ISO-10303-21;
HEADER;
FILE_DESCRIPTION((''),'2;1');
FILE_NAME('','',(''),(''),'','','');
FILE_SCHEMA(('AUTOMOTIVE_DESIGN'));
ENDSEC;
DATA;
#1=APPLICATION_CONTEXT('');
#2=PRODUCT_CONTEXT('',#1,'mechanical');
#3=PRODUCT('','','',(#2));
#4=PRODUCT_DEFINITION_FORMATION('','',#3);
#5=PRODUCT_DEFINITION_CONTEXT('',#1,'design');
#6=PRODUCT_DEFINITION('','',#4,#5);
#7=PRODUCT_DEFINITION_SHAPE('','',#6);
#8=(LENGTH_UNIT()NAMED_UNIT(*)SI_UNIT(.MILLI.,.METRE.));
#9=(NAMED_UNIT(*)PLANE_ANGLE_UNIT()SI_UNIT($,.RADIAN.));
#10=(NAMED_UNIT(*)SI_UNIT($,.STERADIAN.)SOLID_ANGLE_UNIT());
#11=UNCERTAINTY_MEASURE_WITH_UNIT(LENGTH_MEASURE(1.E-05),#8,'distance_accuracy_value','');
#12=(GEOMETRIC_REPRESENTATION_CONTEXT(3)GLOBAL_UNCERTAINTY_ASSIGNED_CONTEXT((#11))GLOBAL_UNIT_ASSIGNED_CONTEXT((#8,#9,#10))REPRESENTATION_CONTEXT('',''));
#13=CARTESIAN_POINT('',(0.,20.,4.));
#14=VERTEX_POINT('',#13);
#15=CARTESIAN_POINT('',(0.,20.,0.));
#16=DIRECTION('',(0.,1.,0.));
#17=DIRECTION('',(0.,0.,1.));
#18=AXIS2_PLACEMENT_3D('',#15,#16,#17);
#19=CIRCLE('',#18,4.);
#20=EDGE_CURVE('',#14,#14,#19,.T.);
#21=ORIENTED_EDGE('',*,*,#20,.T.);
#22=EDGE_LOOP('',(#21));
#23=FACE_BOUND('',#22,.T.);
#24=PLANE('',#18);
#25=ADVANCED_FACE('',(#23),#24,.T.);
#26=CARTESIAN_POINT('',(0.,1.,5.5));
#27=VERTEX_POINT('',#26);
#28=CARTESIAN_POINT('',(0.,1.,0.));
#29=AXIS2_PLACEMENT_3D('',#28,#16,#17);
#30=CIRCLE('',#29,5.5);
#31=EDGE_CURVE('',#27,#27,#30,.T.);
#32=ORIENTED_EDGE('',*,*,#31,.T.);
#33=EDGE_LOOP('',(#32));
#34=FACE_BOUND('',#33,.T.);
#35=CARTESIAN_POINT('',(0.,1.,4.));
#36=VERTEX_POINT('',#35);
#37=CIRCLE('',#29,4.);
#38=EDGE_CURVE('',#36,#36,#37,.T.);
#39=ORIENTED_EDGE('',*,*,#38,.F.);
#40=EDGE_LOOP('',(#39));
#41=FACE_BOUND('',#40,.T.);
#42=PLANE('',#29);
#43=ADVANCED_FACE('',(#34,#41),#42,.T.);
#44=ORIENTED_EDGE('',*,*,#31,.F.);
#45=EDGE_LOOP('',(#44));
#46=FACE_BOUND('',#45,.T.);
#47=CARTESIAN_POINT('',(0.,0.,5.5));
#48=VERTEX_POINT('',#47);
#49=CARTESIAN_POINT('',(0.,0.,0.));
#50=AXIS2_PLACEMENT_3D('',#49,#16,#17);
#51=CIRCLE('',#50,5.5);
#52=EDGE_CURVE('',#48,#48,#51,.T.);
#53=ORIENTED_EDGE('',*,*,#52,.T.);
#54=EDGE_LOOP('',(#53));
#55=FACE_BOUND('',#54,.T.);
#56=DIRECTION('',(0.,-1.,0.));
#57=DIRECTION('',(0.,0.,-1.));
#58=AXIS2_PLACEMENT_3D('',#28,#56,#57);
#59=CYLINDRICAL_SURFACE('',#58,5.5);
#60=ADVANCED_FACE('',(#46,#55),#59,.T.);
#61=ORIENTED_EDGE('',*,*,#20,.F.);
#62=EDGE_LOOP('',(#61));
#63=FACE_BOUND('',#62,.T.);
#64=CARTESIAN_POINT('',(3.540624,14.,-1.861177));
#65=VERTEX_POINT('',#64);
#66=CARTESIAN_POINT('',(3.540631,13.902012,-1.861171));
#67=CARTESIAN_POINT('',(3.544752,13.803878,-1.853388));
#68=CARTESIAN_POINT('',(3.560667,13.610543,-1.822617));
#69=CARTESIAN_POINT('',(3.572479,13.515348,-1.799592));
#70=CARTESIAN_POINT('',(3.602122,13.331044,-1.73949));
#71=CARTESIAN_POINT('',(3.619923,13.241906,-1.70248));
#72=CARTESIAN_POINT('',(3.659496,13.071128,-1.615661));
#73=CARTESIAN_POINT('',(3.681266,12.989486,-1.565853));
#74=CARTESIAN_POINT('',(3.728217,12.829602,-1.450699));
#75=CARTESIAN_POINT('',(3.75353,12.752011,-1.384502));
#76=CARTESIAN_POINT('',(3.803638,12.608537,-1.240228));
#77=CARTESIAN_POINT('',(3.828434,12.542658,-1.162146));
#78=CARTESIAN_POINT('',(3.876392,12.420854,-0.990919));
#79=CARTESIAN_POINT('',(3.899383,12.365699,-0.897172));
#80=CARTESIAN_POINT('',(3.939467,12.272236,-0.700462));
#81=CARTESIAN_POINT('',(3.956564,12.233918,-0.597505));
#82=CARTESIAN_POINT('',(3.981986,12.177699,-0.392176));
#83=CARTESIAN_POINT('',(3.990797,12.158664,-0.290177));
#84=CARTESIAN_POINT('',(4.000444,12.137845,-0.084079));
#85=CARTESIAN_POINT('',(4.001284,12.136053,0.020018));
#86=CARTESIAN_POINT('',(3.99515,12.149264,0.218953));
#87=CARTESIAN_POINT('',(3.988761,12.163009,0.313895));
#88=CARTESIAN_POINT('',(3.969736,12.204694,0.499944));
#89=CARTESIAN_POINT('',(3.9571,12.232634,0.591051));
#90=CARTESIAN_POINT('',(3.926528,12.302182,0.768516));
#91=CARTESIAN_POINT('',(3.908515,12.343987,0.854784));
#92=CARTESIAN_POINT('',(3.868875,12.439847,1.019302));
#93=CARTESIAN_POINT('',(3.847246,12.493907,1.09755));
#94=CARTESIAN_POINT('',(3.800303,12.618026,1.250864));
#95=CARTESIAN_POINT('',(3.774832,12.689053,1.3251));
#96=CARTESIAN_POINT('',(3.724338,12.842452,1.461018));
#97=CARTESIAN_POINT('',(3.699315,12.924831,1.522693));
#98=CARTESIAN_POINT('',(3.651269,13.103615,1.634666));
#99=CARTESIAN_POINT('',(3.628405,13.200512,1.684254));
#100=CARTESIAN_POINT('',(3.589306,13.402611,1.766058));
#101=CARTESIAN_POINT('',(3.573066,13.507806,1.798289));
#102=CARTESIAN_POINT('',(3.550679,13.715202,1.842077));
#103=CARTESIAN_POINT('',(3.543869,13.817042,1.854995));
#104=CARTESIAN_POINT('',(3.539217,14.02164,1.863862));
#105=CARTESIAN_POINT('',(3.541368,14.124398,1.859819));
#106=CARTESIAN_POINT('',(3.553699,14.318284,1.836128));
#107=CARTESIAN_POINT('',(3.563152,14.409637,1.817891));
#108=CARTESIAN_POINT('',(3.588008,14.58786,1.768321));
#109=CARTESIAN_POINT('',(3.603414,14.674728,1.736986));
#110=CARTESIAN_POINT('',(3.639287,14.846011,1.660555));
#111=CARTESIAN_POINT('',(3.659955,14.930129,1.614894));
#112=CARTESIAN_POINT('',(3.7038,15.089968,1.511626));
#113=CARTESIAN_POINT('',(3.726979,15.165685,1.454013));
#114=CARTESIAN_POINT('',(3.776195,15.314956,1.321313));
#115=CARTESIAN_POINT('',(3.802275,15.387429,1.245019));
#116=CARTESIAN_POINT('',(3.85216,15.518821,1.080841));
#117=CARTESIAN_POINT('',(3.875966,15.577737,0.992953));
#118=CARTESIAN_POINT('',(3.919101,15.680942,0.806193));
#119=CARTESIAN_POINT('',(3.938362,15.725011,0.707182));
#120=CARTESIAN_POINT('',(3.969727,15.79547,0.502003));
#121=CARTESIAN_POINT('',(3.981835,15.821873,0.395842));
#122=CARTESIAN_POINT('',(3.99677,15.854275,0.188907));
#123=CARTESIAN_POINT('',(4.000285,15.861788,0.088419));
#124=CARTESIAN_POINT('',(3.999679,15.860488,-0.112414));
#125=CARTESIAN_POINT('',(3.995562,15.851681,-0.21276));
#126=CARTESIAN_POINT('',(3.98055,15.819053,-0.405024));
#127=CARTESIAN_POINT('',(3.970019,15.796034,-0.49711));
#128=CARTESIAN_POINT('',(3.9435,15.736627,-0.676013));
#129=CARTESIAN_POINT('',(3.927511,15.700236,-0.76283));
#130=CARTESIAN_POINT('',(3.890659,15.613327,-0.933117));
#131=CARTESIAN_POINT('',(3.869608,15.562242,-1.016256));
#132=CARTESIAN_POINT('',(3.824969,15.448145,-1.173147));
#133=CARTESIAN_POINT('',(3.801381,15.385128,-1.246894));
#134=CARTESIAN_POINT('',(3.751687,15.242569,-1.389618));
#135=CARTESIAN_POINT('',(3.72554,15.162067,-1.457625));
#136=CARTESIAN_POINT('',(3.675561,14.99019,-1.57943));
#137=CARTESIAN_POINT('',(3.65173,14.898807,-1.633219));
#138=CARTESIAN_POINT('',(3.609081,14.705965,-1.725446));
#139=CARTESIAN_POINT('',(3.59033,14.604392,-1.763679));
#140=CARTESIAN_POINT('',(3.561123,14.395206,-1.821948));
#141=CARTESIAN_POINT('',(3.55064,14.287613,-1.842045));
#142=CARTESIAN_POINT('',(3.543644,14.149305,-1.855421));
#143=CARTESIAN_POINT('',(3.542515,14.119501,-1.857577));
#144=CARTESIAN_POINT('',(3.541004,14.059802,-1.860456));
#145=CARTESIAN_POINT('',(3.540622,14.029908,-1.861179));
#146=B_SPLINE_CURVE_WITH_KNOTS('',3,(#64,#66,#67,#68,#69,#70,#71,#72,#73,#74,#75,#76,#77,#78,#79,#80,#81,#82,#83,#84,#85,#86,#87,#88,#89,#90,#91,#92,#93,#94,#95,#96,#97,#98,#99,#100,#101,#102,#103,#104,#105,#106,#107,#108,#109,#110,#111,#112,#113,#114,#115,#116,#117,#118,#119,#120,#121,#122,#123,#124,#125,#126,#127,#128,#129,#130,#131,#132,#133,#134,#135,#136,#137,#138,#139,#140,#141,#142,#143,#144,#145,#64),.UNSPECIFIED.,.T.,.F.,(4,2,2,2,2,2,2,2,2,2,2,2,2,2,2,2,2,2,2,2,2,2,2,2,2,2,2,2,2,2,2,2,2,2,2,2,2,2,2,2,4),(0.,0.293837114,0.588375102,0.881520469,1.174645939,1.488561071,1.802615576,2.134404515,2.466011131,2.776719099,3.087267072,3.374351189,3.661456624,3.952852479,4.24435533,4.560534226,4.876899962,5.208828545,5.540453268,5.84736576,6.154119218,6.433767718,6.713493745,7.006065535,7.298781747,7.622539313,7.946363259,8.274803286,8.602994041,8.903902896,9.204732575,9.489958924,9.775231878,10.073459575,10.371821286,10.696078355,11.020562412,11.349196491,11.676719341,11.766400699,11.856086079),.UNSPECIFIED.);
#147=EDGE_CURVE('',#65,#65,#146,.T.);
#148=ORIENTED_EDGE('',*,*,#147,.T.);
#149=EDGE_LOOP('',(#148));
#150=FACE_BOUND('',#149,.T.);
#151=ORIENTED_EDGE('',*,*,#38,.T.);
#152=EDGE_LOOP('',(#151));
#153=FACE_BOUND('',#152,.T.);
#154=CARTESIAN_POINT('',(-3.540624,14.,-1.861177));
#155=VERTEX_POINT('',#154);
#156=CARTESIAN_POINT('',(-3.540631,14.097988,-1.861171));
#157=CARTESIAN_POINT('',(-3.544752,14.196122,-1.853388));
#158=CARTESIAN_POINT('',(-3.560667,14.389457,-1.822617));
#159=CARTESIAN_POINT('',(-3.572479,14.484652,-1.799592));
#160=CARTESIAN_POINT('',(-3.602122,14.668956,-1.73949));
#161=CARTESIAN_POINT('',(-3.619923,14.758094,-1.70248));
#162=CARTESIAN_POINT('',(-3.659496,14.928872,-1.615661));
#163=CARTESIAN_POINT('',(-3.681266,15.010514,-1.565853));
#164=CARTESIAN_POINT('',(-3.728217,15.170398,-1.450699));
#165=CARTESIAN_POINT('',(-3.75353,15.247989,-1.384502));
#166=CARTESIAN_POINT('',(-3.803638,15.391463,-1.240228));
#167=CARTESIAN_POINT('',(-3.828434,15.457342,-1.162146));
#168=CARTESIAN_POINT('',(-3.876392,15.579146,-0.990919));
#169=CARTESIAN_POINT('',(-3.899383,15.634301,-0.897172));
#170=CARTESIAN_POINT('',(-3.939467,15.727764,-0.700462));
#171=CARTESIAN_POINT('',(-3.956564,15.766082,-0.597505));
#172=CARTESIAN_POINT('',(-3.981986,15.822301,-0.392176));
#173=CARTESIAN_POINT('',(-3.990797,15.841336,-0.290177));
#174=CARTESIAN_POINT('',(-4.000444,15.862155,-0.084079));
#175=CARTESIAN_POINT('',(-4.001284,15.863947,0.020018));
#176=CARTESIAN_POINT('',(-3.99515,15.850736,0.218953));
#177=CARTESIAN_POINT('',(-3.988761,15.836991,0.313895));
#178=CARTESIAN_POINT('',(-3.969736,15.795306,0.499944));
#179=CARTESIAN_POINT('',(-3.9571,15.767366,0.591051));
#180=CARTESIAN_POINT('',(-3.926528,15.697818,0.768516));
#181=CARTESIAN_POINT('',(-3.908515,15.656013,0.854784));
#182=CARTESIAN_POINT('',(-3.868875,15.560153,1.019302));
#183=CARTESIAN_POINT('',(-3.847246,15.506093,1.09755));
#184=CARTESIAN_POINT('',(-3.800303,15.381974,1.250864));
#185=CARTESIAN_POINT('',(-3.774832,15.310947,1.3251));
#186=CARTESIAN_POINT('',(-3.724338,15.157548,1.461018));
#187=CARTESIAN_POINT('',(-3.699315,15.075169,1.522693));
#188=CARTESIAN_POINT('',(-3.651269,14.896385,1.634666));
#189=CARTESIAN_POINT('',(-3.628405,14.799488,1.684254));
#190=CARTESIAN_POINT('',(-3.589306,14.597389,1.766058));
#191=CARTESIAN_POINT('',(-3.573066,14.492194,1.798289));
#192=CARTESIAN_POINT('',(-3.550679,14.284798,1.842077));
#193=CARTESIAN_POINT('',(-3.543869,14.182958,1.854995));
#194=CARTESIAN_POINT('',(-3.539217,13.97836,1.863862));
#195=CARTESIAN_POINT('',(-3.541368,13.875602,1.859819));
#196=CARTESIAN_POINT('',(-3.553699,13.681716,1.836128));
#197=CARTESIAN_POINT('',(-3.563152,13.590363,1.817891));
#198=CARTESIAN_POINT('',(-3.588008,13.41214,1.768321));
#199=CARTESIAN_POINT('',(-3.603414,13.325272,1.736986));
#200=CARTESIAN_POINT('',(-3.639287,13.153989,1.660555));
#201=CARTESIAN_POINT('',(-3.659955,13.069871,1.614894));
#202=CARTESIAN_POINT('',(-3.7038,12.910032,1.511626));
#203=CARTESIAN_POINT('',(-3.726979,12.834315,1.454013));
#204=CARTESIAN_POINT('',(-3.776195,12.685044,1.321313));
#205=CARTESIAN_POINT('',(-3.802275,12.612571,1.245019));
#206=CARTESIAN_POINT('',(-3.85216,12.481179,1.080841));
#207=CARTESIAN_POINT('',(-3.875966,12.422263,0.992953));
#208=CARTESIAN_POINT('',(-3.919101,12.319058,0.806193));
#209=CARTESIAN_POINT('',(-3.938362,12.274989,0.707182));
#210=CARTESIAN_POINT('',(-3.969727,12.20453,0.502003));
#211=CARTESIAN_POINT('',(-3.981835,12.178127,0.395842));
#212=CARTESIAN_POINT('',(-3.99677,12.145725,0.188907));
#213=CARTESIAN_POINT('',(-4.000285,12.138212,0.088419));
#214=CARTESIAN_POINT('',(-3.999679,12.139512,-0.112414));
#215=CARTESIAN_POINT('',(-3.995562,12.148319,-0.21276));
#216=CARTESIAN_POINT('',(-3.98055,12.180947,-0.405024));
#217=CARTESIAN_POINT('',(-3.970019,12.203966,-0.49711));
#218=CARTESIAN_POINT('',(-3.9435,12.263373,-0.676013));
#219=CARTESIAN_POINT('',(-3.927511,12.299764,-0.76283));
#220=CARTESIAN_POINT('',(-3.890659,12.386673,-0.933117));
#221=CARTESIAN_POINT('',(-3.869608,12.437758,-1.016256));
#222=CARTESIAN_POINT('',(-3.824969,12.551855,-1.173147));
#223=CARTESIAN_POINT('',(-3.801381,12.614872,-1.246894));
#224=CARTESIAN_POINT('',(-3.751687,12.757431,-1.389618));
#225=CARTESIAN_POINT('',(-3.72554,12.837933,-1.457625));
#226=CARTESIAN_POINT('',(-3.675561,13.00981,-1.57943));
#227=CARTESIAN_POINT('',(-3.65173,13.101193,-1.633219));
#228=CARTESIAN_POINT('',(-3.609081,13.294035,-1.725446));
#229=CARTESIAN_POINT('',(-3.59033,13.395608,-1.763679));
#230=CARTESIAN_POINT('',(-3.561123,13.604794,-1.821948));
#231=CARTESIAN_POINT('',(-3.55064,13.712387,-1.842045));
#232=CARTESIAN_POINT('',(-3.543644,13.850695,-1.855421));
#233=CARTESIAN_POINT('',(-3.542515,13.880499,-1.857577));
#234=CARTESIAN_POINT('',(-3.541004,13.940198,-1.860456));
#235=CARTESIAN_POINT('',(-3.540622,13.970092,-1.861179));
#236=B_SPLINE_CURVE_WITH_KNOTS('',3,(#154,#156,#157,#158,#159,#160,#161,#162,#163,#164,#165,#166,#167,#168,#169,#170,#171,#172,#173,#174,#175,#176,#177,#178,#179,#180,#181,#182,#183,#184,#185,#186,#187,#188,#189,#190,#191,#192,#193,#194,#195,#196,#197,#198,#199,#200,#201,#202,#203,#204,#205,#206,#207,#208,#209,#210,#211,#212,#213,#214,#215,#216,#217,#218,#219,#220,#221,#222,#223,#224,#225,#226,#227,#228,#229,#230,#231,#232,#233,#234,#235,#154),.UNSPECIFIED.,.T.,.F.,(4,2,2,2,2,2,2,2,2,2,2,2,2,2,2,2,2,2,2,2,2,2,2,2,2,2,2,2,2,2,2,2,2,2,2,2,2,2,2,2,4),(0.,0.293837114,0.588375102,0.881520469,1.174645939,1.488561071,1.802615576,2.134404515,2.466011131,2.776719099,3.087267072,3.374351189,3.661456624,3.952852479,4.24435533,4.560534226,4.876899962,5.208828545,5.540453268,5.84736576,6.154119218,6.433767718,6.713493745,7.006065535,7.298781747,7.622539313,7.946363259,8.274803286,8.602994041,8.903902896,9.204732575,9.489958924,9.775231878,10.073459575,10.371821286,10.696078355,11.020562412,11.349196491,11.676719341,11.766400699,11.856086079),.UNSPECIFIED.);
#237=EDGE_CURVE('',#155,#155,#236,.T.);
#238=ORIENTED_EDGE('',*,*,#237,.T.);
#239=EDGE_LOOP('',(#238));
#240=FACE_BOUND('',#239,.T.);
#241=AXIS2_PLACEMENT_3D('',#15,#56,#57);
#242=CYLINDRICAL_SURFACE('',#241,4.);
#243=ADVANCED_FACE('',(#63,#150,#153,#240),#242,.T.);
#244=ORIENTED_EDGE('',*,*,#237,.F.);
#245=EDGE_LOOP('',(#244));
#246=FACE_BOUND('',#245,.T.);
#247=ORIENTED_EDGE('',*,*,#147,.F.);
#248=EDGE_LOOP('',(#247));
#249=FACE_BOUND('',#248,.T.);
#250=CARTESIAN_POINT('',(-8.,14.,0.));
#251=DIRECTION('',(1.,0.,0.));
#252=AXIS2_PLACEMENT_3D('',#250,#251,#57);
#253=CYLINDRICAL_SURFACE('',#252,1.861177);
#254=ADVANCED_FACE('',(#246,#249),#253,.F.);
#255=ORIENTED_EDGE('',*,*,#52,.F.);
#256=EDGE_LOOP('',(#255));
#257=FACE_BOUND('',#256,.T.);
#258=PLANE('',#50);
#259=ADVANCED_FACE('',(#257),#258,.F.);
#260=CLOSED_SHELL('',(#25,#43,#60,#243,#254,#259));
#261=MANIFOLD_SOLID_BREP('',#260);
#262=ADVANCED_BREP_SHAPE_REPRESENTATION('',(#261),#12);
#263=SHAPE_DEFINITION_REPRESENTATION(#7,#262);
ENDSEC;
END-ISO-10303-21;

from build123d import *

# Parameters (mm, degrees)
SKETCH1_R           = 5.5
SKETCH1_R_2         = 4
BOSS_EXTRUDE1_DEPTH = 1
SKETCH1_2_R         = 4
BOSS_EXTRUDE2_DEPTH = 20
SKETCH2_R           = 1.8611768
CUT_EXTRUDE1_DEPTH  = 12


with BuildPart() as part:
    # Sketch1 → Boss-Extrude1 (new body)
    with BuildSketch(Plane(origin=(0, 0, 0), x_dir=(1, 0, 0), z_dir=(0, 1, 0))):
        Circle(SKETCH1_R)
        Circle(SKETCH1_R_2, mode=Mode.SUBTRACT)
    extrude(amount=BOSS_EXTRUDE1_DEPTH)

    # Sketch1<2> → Boss-Extrude2 (add)
    with BuildSketch(Plane(origin=(0, 0, 0), x_dir=(1, 0, 0), z_dir=(0, 1, 0))):
        Circle(SKETCH1_2_R)
    extrude(amount=BOSS_EXTRUDE2_DEPTH)

    # Sketch2 → Cut-Extrude1 (cut)
    with BuildSketch(Plane(origin=(4, 0, 0), x_dir=(0, 0, -1), z_dir=(1, 0, 0))):
        with Locations((0, 14)):
            Circle(SKETCH2_R)
    extrude(amount=-CUT_EXTRUDE1_DEPTH, mode=Mode.SUBTRACT)


solid = part.part
